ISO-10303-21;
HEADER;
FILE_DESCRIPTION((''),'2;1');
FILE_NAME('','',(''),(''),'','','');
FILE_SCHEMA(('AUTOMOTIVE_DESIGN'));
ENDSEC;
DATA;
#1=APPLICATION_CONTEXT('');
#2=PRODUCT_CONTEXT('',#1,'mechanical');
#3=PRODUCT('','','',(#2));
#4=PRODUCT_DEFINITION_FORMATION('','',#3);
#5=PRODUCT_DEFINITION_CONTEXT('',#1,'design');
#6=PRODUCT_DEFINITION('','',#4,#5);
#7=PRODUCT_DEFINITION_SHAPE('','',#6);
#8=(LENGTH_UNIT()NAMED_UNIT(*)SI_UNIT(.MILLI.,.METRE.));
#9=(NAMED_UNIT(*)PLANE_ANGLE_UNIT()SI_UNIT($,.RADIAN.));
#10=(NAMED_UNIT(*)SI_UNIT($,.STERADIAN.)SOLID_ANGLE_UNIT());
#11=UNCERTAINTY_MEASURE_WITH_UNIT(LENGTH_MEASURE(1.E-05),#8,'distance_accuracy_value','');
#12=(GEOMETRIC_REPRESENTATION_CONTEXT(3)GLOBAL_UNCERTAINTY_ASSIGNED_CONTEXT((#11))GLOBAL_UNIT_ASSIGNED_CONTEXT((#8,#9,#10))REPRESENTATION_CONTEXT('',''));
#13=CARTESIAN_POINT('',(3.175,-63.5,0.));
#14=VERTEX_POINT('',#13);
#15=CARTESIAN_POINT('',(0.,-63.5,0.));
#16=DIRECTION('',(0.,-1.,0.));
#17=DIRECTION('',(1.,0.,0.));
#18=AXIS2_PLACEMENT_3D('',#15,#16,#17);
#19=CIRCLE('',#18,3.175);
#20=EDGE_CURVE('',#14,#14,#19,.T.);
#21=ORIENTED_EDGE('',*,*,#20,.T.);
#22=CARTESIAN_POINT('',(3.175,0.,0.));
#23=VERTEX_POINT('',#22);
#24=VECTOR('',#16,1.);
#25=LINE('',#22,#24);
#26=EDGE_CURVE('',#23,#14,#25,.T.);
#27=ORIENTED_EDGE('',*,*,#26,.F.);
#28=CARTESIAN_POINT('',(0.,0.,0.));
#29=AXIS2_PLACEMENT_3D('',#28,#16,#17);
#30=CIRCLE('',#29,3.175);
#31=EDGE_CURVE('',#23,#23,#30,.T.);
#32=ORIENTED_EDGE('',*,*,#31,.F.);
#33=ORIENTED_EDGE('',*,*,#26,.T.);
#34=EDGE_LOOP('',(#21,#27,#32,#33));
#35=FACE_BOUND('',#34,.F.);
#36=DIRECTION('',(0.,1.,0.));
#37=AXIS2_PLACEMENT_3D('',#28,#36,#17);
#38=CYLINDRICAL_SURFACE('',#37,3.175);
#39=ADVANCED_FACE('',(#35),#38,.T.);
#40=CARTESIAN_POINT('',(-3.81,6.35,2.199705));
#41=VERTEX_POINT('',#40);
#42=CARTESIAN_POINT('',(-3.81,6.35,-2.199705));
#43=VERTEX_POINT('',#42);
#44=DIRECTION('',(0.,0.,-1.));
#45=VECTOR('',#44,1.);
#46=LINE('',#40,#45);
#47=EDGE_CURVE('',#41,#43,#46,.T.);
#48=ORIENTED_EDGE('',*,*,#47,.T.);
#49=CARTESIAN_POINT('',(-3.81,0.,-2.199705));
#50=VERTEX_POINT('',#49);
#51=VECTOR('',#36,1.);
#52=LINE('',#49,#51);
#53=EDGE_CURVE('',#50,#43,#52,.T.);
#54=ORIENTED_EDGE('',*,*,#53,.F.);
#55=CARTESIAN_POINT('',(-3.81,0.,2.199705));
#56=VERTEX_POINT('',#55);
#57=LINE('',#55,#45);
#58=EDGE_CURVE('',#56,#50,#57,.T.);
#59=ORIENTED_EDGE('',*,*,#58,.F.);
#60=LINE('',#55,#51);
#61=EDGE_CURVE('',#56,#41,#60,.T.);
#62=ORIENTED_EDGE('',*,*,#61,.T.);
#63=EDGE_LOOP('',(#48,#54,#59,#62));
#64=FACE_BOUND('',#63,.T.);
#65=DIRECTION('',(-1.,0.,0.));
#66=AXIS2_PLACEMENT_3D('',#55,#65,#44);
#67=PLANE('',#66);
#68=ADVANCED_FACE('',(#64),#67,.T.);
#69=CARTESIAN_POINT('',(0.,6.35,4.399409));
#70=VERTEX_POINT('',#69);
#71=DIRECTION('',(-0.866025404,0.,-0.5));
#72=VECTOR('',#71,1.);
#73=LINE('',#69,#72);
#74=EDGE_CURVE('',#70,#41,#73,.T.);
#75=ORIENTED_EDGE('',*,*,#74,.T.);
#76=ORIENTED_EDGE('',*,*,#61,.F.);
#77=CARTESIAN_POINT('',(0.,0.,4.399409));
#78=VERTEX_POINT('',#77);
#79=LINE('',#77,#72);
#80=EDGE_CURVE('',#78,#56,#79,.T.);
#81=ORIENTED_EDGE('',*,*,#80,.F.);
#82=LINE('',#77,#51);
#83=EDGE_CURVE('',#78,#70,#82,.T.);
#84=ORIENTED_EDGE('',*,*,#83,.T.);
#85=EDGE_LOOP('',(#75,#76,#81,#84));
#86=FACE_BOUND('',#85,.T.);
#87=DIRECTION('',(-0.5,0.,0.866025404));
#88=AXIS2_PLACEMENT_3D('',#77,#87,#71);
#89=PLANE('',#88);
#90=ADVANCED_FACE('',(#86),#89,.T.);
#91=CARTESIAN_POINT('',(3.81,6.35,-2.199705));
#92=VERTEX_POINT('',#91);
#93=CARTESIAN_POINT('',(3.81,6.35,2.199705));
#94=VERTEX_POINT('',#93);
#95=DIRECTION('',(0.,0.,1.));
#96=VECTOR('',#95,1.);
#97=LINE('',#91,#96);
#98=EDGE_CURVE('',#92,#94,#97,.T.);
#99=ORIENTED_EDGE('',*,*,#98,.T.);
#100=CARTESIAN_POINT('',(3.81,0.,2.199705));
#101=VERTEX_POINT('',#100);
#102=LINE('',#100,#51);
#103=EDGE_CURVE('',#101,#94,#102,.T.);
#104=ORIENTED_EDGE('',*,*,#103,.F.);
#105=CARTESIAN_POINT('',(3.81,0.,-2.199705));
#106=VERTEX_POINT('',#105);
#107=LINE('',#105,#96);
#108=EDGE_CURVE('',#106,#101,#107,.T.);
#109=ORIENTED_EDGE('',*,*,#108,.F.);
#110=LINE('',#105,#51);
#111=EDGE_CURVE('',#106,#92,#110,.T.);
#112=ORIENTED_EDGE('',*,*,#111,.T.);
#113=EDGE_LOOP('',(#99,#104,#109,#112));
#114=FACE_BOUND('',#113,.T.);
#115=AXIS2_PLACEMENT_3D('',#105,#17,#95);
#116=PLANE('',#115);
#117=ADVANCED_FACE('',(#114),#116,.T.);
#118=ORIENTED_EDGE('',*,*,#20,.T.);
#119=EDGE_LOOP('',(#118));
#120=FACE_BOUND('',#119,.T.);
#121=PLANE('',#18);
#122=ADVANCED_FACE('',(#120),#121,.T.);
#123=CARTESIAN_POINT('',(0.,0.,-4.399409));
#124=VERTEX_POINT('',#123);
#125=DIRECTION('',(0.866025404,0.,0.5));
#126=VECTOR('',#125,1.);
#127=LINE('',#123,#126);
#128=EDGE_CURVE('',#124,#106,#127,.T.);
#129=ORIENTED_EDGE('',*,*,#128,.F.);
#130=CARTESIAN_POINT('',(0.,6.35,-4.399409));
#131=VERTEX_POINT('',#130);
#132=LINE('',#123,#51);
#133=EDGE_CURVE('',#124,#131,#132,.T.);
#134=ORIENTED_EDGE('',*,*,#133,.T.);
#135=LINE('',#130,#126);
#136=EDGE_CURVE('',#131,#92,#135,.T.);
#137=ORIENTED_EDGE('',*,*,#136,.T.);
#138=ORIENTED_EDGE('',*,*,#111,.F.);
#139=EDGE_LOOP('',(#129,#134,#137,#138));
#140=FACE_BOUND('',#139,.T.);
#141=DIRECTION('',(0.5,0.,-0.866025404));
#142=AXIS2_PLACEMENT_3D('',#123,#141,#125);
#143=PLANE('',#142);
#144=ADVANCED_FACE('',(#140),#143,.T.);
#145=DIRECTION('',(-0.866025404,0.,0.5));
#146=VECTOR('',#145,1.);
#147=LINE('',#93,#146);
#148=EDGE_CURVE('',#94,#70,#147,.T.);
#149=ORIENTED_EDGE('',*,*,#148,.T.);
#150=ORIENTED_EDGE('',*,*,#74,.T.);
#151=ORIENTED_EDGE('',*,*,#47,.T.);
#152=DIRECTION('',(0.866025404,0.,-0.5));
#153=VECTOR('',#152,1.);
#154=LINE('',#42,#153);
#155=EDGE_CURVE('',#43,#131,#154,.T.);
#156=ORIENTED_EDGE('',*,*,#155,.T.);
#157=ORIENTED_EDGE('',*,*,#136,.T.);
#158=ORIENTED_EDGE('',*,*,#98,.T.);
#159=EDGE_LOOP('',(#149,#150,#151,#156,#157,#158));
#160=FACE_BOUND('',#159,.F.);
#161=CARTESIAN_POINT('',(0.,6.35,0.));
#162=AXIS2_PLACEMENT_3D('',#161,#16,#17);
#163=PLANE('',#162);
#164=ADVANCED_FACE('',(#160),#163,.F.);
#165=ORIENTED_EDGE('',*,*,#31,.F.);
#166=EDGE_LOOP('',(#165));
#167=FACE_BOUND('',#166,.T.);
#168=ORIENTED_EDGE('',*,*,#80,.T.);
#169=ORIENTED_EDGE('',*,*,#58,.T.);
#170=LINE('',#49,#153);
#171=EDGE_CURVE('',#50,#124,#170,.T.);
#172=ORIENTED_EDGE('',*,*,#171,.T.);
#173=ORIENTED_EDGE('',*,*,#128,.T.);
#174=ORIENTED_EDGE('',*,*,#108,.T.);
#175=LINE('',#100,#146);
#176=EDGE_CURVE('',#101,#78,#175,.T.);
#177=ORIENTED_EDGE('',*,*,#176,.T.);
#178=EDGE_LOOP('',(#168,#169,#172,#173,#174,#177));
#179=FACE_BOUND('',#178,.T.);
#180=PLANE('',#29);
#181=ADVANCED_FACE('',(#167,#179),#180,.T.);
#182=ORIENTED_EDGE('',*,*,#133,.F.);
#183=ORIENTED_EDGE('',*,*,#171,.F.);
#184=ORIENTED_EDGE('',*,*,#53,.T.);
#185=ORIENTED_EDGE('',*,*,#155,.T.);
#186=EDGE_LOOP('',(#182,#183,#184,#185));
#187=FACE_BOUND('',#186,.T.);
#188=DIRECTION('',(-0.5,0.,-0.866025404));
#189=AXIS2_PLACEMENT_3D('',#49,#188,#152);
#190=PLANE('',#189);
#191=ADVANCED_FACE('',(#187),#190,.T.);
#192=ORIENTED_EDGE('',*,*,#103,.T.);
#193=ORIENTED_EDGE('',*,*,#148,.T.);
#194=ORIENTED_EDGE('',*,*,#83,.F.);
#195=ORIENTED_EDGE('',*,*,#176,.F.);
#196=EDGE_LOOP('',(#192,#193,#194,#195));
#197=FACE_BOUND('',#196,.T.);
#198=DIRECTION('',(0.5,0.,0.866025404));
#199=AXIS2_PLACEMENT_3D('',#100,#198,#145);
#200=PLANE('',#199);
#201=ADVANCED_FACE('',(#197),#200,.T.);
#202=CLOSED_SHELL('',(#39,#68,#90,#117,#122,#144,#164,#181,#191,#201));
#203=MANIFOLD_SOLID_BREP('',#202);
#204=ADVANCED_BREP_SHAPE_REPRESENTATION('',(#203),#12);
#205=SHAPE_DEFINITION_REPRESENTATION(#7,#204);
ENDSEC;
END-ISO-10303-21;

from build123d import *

# Parameters (mm, degrees)
F0_R      = 3.175
F1_DEPTH  = 63.5
F1_FACE_R = 3.175
F2_DEPTH  = 6.35


with BuildPart() as f1:
    # F0 (on Front) → F1 (new body)
    with BuildSketch(Plane.XZ):
        Circle(F0_R)
    extrude(amount=F1_DEPTH)

    # F0 (on Front) + F1_face (on face) → F2 (join)
    with BuildSketch(Plane.XZ):
        Polygon((-3.81, 2.1997045256), (-3.81, -2.1997045256), (0, -4.3994090512), (3.81, -2.1997045256), (3.81, 2.1997045256), (0, 4.3994090512), align=None)
        Circle(F0_R, mode=Mode.SUBTRACT)
    with BuildSketch(Plane(origin=(0, 0, 0), x_dir=(1, 0, 0), z_dir=(0, 1, 0))):
        Circle(F1_FACE_R)
    extrude(amount=-F2_DEPTH, dir=(0, -1, 0))


solid = f1.part
